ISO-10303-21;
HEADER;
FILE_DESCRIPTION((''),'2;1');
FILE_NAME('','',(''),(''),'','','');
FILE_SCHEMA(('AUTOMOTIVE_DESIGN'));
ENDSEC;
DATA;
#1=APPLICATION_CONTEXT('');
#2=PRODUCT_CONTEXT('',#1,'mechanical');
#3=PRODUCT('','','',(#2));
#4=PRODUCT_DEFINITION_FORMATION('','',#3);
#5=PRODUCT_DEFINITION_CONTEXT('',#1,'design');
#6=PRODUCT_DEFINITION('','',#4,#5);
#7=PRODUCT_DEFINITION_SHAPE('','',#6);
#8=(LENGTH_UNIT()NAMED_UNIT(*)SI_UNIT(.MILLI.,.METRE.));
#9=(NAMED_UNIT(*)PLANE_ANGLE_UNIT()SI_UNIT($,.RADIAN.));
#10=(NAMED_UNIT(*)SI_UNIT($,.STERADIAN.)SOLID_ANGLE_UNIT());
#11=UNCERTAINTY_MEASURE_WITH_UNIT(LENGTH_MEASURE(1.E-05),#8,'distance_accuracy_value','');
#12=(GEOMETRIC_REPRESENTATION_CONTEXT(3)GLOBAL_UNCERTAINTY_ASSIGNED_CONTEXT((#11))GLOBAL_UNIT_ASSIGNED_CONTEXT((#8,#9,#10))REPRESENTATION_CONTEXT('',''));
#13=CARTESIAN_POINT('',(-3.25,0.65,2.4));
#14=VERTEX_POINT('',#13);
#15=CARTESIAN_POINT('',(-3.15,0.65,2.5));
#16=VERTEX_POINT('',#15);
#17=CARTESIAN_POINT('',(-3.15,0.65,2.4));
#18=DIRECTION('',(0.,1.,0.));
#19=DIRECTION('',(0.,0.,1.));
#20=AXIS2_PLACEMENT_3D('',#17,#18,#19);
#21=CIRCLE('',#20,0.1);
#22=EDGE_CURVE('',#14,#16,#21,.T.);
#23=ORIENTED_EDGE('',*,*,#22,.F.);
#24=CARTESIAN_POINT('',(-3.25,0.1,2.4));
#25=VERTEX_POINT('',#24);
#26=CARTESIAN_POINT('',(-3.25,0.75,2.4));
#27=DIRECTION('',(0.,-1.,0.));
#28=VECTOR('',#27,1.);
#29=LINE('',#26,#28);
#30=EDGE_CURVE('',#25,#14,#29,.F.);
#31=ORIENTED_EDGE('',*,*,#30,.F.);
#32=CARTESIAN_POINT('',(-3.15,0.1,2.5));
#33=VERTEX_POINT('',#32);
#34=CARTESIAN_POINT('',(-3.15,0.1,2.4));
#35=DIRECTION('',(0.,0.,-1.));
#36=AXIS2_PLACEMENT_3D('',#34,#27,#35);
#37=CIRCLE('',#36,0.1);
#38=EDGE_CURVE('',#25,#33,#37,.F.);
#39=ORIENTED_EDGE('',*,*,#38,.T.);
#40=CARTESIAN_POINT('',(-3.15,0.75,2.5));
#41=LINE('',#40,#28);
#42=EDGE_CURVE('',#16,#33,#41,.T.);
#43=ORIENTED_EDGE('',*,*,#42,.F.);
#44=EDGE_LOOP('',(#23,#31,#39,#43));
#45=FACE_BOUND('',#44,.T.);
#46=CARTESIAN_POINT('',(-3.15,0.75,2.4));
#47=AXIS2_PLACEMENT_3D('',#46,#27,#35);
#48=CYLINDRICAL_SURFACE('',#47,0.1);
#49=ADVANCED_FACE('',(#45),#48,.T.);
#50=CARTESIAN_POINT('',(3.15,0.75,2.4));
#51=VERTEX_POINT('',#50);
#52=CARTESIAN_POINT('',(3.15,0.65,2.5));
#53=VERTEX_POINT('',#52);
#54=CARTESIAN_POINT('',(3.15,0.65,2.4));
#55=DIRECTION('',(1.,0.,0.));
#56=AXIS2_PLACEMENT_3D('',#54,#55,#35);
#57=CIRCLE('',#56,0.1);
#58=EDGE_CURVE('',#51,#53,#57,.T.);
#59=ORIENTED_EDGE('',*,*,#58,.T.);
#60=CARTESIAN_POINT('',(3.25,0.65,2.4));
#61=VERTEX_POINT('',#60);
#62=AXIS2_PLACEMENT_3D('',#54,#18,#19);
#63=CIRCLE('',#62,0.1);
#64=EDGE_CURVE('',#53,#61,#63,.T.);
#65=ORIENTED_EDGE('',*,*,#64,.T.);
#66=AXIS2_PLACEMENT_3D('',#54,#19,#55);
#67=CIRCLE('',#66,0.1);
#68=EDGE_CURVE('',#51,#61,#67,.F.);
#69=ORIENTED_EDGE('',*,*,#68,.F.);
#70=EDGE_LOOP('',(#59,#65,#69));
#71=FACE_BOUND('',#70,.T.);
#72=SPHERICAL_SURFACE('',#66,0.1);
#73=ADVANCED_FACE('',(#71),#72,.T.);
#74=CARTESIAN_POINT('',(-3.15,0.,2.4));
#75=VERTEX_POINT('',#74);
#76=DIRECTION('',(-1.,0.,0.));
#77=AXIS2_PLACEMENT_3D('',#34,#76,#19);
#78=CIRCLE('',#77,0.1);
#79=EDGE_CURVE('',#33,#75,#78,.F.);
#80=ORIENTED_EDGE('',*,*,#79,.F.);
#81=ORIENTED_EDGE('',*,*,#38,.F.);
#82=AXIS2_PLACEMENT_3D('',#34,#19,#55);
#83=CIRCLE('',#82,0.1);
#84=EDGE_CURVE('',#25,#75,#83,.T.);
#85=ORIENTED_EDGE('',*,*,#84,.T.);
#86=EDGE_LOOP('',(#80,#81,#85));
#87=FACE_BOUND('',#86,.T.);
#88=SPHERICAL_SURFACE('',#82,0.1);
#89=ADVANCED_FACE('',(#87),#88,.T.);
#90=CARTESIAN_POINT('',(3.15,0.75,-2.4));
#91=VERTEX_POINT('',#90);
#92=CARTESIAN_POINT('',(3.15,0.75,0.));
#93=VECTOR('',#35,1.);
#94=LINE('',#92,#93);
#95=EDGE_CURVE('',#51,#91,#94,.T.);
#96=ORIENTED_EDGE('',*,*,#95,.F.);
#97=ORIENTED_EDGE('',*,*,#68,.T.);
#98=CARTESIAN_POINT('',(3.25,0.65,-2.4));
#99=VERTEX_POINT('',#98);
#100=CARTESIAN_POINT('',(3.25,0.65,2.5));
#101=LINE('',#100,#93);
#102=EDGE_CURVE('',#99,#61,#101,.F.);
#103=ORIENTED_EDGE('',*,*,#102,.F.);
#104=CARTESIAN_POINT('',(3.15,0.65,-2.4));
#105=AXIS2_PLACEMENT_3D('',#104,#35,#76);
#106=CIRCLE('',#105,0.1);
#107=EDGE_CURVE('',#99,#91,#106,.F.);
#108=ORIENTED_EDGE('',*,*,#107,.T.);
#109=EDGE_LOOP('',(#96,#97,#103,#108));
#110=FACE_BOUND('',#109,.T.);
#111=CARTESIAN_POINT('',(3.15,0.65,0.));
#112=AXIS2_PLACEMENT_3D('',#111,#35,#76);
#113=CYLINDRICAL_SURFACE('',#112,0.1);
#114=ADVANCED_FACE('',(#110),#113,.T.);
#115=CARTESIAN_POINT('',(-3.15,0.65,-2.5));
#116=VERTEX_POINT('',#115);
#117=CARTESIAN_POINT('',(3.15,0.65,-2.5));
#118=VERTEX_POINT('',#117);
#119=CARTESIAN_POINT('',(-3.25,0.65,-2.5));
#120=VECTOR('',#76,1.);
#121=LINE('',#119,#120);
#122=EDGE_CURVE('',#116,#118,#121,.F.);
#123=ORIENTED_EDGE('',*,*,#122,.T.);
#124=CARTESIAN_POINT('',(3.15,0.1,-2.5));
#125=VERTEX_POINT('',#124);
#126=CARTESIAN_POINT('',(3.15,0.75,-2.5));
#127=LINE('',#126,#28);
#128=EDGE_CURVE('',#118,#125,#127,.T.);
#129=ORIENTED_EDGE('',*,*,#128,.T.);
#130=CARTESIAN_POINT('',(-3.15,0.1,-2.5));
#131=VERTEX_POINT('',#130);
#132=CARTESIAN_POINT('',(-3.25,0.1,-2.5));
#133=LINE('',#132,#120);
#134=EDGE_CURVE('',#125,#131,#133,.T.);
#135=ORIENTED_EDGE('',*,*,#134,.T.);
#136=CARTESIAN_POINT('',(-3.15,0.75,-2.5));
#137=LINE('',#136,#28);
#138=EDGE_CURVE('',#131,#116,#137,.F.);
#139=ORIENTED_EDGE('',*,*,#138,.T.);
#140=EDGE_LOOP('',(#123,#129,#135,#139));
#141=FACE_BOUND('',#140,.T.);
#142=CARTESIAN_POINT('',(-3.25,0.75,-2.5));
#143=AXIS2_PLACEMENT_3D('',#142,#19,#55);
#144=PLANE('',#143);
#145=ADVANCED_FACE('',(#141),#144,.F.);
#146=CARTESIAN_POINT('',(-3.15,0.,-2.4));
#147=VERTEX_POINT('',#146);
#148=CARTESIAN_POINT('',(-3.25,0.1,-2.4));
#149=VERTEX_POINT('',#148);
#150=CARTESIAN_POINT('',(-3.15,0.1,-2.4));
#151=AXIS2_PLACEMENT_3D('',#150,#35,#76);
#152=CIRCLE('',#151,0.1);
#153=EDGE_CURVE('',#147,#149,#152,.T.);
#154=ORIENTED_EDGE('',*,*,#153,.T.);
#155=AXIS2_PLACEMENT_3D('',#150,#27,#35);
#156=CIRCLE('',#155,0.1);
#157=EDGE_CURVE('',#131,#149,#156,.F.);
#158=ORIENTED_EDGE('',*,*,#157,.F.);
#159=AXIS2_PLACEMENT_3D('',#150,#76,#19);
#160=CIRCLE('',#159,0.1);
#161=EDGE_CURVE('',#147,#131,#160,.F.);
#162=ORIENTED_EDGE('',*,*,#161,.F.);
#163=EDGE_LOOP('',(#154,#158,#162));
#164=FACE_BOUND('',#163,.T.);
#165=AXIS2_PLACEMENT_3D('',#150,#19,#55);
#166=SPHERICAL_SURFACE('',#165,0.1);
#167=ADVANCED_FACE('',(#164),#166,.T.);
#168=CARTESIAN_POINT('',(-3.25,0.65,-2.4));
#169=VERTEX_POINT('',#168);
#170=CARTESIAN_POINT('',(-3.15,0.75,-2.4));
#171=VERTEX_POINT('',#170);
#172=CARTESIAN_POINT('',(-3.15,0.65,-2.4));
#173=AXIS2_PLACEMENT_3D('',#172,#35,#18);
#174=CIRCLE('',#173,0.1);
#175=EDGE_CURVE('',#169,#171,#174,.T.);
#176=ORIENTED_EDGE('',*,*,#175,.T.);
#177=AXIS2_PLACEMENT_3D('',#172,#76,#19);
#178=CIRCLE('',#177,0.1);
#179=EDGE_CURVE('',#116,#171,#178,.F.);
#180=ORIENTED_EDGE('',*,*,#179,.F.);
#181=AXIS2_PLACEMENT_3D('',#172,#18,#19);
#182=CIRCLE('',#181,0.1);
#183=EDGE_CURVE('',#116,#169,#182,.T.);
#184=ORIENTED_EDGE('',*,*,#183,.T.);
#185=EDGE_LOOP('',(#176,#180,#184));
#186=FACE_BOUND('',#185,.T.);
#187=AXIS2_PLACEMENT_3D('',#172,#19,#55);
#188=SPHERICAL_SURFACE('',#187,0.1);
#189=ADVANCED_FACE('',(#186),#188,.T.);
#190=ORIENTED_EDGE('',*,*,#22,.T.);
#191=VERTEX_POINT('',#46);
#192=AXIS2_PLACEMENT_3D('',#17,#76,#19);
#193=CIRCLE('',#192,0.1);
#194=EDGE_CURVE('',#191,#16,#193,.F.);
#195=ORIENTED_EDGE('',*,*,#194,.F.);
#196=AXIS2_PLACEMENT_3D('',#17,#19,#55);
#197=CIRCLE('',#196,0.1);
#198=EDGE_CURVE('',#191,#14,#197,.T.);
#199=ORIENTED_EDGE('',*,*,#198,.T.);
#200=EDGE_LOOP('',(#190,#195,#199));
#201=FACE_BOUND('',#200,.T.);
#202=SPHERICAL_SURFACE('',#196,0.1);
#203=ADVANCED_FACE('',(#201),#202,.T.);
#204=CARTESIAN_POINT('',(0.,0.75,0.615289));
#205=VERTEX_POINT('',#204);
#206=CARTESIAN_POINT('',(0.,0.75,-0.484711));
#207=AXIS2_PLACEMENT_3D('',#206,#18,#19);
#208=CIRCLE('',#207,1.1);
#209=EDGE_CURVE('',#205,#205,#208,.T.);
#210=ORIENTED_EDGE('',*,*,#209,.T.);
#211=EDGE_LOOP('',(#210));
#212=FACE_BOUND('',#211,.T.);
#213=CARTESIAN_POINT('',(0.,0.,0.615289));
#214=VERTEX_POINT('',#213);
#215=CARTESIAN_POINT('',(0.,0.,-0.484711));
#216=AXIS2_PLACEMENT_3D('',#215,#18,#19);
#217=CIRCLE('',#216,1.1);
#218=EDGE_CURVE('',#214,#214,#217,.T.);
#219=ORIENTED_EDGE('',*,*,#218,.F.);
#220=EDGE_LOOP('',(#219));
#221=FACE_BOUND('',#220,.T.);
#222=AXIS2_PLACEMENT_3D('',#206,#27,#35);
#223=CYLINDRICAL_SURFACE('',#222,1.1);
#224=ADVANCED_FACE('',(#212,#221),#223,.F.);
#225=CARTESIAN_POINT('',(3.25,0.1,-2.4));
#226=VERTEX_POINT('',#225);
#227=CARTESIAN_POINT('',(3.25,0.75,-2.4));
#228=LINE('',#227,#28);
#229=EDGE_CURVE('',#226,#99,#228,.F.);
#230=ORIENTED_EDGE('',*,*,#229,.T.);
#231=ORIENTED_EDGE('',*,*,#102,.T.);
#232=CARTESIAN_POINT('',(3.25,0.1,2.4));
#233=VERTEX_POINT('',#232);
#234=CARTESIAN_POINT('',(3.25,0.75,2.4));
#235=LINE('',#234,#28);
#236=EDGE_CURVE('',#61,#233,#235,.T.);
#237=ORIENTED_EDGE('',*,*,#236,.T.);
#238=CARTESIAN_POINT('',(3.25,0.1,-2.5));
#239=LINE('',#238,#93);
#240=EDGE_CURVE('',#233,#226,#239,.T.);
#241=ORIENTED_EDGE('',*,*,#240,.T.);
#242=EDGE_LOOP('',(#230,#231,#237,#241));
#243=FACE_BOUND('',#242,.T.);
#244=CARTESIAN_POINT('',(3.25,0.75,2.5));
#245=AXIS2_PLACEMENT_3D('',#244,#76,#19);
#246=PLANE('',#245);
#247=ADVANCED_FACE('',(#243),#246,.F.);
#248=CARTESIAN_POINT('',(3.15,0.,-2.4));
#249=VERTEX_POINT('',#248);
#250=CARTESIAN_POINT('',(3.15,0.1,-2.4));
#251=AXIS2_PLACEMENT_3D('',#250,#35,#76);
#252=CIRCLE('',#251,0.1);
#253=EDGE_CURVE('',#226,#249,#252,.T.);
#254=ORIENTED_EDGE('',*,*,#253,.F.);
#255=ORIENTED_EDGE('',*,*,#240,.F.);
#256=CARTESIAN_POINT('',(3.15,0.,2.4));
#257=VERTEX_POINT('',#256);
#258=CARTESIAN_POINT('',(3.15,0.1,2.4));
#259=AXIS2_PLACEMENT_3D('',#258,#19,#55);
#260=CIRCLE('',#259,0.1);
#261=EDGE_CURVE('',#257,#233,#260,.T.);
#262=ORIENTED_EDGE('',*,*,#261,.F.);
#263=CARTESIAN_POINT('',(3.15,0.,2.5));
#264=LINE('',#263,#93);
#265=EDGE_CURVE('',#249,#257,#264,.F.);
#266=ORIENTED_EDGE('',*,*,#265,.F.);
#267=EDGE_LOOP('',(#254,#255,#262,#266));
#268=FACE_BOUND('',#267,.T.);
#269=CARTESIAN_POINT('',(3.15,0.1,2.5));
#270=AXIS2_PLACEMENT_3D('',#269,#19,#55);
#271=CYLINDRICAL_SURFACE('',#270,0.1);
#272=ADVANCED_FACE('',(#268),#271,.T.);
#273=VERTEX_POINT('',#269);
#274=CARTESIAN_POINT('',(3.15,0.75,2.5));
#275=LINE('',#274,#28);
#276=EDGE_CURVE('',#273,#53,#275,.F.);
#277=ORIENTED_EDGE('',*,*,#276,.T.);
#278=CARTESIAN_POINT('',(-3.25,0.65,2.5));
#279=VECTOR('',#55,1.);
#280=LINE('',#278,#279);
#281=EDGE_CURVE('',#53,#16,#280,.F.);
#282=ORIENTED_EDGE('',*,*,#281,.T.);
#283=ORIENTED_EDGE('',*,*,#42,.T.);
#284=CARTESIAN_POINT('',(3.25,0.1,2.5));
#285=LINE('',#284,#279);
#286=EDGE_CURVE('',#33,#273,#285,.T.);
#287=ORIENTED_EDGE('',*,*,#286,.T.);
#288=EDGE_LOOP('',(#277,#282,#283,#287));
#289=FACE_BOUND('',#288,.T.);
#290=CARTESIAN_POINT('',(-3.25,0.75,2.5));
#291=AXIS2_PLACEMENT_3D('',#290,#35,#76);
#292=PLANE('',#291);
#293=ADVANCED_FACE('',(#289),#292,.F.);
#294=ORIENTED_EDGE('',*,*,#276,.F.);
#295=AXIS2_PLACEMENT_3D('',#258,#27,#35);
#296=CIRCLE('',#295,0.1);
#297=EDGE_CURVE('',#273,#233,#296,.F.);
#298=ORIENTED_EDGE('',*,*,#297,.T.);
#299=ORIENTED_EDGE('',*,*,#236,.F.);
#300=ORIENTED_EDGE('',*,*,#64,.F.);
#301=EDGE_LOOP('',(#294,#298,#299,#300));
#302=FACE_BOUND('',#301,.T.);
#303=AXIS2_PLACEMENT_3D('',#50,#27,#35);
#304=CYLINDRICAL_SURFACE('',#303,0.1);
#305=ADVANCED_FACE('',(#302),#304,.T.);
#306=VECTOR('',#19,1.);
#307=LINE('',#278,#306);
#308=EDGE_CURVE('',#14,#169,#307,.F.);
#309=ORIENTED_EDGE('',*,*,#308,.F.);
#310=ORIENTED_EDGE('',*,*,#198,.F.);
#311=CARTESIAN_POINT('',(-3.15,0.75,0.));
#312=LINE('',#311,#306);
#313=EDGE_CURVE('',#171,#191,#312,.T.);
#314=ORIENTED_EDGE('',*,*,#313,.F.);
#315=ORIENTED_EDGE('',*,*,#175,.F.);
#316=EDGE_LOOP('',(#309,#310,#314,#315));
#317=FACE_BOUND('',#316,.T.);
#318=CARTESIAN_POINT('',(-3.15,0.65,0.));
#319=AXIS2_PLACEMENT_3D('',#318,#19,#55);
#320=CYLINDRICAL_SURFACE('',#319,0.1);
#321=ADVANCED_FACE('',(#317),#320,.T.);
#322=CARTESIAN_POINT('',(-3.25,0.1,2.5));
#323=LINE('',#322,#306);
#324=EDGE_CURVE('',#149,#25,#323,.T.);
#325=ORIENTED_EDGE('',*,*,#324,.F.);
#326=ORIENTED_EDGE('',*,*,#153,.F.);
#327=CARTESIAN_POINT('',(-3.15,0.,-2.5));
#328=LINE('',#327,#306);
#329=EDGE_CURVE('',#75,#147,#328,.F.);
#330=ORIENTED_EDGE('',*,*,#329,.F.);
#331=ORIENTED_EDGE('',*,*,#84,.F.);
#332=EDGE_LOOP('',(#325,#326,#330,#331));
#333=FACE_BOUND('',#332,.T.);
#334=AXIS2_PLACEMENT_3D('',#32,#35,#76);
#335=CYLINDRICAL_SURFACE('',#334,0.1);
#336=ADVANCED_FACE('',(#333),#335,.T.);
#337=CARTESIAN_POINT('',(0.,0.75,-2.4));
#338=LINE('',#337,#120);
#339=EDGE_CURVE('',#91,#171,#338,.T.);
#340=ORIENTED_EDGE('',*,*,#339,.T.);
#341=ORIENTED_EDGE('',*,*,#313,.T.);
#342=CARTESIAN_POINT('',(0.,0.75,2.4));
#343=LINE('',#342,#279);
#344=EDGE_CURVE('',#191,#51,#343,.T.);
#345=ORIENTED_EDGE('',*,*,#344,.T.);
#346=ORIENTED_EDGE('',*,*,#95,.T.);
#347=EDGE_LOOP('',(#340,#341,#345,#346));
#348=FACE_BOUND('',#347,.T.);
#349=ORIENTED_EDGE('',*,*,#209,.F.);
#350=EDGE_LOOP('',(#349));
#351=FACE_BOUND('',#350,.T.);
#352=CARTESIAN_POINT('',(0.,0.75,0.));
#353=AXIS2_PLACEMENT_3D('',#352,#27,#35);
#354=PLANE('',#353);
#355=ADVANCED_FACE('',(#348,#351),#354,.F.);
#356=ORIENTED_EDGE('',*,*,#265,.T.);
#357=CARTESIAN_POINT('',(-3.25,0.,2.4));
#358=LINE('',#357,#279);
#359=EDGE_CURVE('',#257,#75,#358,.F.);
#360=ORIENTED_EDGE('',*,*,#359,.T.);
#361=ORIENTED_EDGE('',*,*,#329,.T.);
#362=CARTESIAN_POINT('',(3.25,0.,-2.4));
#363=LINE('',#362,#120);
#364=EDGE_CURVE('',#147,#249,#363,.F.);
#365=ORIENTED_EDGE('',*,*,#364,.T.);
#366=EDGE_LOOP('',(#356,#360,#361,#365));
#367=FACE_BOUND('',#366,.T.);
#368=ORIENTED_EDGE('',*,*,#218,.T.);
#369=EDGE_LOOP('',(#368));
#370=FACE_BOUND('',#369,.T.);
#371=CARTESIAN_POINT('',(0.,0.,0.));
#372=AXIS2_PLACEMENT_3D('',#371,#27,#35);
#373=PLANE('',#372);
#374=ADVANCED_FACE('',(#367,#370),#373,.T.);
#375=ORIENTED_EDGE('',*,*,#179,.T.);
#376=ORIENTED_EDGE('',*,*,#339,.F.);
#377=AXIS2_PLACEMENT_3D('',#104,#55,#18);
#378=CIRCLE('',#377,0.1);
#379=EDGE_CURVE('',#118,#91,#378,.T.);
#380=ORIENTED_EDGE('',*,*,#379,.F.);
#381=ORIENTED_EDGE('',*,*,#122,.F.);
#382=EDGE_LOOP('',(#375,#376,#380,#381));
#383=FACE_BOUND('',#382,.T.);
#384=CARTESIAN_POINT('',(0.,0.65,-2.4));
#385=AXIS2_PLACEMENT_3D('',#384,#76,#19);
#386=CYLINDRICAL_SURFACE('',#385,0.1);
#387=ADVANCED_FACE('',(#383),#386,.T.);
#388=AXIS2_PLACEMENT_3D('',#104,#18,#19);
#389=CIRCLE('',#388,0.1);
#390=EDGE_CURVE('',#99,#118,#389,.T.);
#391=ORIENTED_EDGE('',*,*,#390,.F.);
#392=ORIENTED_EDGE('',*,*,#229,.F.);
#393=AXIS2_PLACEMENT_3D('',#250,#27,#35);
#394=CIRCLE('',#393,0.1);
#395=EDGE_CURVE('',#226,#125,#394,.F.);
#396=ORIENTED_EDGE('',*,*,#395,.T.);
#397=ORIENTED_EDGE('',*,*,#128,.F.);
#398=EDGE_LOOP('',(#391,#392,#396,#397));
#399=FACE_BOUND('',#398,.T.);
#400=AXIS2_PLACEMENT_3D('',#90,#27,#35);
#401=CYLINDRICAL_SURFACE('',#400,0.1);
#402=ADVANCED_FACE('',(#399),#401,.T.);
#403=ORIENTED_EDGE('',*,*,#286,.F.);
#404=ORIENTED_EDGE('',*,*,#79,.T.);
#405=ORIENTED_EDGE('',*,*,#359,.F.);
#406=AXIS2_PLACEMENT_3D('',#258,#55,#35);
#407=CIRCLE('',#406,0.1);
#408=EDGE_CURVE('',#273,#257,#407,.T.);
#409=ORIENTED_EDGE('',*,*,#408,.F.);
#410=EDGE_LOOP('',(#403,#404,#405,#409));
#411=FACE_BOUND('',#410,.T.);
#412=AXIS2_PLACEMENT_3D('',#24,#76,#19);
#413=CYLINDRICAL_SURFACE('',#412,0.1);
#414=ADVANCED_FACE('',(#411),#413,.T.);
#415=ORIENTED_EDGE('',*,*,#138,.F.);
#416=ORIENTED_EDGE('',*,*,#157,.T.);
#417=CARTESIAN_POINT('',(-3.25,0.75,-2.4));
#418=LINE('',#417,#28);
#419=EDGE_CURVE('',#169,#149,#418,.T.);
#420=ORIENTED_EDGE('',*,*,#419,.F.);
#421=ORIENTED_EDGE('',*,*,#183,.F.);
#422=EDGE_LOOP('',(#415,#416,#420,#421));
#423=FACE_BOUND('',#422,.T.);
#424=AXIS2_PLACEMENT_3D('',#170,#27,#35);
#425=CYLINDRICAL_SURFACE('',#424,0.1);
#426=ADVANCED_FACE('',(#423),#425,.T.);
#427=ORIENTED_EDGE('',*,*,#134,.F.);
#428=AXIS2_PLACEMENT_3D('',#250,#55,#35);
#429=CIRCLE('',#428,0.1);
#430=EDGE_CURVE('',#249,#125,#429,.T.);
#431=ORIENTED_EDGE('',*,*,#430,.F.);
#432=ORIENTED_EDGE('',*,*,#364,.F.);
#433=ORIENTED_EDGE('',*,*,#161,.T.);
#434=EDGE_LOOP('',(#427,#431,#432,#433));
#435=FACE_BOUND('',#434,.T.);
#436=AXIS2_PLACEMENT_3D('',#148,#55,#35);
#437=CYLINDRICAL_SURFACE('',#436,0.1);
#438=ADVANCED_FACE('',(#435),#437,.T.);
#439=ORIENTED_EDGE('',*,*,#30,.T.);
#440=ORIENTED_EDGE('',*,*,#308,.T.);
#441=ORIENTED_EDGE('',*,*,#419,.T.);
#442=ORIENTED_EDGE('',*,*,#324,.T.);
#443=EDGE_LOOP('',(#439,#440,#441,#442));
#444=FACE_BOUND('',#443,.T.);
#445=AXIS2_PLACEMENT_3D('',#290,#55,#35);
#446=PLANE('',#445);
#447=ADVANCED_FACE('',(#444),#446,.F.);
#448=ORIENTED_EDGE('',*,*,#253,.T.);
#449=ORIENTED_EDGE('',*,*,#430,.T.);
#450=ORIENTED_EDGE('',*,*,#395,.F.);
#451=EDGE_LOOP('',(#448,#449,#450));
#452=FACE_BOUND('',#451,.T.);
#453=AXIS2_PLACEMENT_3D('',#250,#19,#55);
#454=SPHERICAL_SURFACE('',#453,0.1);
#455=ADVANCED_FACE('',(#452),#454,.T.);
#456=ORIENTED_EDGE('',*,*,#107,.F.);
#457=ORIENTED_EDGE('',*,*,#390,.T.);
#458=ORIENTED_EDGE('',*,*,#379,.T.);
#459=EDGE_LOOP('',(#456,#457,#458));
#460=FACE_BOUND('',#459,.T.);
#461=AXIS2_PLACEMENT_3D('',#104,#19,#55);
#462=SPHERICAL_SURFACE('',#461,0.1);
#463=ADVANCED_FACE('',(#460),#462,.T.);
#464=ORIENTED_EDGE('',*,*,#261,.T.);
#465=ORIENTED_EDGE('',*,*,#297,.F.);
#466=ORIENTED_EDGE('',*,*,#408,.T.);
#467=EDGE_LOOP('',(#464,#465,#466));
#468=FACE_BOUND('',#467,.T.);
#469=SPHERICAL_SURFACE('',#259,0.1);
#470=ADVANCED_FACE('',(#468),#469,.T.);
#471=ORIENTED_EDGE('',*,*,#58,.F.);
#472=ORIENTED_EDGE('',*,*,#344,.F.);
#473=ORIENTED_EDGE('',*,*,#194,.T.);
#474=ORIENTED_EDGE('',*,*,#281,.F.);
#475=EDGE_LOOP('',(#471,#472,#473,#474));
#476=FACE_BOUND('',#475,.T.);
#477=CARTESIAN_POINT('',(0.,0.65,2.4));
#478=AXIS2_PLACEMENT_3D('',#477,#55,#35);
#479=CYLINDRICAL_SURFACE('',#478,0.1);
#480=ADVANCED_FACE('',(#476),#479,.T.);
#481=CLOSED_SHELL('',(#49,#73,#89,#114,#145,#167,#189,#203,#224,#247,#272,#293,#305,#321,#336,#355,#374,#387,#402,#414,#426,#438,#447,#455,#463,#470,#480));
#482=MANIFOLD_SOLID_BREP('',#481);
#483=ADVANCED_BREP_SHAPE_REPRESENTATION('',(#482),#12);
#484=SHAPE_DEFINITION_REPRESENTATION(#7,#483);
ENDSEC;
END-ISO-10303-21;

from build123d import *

# Parameters (mm, degrees)
SKETCH1_W           = 6.5
SKETCH1_H           = 5
BOSS_EXTRUDE1_DEPTH = 0.75
SKETCH2_R           = 1.1
CUT_EXTRUDE1_DEPTH  = 5.168333
FILLET1_R           = 0.1


with BuildPart() as part:
    # Sketch1 → Boss-Extrude1 (new body)
    with BuildSketch(Plane(origin=(0, 0, 0), x_dir=(1, 0, 0), z_dir=(0, 1, 0))):
        Rectangle(SKETCH1_W, SKETCH1_H)
    extrude(amount=BOSS_EXTRUDE1_DEPTH)

    # Sketch2 → Cut-Extrude1 (cut, through all)
    with BuildSketch(Plane(origin=(0, 0, 0), x_dir=(1, 0, 0), z_dir=(0, 1, 0))):
        with Locations(Location((0, 0.484711092, 0), (0, 0, 270))):
            Circle(SKETCH2_R)
    extrude(amount=CUT_EXTRUDE1_DEPTH, mode=Mode.SUBTRACT)

    # Fillet1
    fillet1_edges = [part.edges().sort_by_distance(p)[0] for p in [
        (-3.25, 0.75, 0),
        (0, 0.75, 2.5),
        (3.25, 0.75, 0),
        (0, 0, 2.5),
        (-3.25, 0, 0),
        (0, 0, -2.5),
        (3.25, 0, 0),
        (3.25, 0.375, 2.5),
        (-3.25, 0.375, 2.5),
        (-3.25, 0.375, -2.5),
        (3.25, 0.375, -2.5),
        (0, 0.75, -2.5),
    ]]
    fillet(fillet1_edges, radius=FILLET1_R)


solid = part.part
